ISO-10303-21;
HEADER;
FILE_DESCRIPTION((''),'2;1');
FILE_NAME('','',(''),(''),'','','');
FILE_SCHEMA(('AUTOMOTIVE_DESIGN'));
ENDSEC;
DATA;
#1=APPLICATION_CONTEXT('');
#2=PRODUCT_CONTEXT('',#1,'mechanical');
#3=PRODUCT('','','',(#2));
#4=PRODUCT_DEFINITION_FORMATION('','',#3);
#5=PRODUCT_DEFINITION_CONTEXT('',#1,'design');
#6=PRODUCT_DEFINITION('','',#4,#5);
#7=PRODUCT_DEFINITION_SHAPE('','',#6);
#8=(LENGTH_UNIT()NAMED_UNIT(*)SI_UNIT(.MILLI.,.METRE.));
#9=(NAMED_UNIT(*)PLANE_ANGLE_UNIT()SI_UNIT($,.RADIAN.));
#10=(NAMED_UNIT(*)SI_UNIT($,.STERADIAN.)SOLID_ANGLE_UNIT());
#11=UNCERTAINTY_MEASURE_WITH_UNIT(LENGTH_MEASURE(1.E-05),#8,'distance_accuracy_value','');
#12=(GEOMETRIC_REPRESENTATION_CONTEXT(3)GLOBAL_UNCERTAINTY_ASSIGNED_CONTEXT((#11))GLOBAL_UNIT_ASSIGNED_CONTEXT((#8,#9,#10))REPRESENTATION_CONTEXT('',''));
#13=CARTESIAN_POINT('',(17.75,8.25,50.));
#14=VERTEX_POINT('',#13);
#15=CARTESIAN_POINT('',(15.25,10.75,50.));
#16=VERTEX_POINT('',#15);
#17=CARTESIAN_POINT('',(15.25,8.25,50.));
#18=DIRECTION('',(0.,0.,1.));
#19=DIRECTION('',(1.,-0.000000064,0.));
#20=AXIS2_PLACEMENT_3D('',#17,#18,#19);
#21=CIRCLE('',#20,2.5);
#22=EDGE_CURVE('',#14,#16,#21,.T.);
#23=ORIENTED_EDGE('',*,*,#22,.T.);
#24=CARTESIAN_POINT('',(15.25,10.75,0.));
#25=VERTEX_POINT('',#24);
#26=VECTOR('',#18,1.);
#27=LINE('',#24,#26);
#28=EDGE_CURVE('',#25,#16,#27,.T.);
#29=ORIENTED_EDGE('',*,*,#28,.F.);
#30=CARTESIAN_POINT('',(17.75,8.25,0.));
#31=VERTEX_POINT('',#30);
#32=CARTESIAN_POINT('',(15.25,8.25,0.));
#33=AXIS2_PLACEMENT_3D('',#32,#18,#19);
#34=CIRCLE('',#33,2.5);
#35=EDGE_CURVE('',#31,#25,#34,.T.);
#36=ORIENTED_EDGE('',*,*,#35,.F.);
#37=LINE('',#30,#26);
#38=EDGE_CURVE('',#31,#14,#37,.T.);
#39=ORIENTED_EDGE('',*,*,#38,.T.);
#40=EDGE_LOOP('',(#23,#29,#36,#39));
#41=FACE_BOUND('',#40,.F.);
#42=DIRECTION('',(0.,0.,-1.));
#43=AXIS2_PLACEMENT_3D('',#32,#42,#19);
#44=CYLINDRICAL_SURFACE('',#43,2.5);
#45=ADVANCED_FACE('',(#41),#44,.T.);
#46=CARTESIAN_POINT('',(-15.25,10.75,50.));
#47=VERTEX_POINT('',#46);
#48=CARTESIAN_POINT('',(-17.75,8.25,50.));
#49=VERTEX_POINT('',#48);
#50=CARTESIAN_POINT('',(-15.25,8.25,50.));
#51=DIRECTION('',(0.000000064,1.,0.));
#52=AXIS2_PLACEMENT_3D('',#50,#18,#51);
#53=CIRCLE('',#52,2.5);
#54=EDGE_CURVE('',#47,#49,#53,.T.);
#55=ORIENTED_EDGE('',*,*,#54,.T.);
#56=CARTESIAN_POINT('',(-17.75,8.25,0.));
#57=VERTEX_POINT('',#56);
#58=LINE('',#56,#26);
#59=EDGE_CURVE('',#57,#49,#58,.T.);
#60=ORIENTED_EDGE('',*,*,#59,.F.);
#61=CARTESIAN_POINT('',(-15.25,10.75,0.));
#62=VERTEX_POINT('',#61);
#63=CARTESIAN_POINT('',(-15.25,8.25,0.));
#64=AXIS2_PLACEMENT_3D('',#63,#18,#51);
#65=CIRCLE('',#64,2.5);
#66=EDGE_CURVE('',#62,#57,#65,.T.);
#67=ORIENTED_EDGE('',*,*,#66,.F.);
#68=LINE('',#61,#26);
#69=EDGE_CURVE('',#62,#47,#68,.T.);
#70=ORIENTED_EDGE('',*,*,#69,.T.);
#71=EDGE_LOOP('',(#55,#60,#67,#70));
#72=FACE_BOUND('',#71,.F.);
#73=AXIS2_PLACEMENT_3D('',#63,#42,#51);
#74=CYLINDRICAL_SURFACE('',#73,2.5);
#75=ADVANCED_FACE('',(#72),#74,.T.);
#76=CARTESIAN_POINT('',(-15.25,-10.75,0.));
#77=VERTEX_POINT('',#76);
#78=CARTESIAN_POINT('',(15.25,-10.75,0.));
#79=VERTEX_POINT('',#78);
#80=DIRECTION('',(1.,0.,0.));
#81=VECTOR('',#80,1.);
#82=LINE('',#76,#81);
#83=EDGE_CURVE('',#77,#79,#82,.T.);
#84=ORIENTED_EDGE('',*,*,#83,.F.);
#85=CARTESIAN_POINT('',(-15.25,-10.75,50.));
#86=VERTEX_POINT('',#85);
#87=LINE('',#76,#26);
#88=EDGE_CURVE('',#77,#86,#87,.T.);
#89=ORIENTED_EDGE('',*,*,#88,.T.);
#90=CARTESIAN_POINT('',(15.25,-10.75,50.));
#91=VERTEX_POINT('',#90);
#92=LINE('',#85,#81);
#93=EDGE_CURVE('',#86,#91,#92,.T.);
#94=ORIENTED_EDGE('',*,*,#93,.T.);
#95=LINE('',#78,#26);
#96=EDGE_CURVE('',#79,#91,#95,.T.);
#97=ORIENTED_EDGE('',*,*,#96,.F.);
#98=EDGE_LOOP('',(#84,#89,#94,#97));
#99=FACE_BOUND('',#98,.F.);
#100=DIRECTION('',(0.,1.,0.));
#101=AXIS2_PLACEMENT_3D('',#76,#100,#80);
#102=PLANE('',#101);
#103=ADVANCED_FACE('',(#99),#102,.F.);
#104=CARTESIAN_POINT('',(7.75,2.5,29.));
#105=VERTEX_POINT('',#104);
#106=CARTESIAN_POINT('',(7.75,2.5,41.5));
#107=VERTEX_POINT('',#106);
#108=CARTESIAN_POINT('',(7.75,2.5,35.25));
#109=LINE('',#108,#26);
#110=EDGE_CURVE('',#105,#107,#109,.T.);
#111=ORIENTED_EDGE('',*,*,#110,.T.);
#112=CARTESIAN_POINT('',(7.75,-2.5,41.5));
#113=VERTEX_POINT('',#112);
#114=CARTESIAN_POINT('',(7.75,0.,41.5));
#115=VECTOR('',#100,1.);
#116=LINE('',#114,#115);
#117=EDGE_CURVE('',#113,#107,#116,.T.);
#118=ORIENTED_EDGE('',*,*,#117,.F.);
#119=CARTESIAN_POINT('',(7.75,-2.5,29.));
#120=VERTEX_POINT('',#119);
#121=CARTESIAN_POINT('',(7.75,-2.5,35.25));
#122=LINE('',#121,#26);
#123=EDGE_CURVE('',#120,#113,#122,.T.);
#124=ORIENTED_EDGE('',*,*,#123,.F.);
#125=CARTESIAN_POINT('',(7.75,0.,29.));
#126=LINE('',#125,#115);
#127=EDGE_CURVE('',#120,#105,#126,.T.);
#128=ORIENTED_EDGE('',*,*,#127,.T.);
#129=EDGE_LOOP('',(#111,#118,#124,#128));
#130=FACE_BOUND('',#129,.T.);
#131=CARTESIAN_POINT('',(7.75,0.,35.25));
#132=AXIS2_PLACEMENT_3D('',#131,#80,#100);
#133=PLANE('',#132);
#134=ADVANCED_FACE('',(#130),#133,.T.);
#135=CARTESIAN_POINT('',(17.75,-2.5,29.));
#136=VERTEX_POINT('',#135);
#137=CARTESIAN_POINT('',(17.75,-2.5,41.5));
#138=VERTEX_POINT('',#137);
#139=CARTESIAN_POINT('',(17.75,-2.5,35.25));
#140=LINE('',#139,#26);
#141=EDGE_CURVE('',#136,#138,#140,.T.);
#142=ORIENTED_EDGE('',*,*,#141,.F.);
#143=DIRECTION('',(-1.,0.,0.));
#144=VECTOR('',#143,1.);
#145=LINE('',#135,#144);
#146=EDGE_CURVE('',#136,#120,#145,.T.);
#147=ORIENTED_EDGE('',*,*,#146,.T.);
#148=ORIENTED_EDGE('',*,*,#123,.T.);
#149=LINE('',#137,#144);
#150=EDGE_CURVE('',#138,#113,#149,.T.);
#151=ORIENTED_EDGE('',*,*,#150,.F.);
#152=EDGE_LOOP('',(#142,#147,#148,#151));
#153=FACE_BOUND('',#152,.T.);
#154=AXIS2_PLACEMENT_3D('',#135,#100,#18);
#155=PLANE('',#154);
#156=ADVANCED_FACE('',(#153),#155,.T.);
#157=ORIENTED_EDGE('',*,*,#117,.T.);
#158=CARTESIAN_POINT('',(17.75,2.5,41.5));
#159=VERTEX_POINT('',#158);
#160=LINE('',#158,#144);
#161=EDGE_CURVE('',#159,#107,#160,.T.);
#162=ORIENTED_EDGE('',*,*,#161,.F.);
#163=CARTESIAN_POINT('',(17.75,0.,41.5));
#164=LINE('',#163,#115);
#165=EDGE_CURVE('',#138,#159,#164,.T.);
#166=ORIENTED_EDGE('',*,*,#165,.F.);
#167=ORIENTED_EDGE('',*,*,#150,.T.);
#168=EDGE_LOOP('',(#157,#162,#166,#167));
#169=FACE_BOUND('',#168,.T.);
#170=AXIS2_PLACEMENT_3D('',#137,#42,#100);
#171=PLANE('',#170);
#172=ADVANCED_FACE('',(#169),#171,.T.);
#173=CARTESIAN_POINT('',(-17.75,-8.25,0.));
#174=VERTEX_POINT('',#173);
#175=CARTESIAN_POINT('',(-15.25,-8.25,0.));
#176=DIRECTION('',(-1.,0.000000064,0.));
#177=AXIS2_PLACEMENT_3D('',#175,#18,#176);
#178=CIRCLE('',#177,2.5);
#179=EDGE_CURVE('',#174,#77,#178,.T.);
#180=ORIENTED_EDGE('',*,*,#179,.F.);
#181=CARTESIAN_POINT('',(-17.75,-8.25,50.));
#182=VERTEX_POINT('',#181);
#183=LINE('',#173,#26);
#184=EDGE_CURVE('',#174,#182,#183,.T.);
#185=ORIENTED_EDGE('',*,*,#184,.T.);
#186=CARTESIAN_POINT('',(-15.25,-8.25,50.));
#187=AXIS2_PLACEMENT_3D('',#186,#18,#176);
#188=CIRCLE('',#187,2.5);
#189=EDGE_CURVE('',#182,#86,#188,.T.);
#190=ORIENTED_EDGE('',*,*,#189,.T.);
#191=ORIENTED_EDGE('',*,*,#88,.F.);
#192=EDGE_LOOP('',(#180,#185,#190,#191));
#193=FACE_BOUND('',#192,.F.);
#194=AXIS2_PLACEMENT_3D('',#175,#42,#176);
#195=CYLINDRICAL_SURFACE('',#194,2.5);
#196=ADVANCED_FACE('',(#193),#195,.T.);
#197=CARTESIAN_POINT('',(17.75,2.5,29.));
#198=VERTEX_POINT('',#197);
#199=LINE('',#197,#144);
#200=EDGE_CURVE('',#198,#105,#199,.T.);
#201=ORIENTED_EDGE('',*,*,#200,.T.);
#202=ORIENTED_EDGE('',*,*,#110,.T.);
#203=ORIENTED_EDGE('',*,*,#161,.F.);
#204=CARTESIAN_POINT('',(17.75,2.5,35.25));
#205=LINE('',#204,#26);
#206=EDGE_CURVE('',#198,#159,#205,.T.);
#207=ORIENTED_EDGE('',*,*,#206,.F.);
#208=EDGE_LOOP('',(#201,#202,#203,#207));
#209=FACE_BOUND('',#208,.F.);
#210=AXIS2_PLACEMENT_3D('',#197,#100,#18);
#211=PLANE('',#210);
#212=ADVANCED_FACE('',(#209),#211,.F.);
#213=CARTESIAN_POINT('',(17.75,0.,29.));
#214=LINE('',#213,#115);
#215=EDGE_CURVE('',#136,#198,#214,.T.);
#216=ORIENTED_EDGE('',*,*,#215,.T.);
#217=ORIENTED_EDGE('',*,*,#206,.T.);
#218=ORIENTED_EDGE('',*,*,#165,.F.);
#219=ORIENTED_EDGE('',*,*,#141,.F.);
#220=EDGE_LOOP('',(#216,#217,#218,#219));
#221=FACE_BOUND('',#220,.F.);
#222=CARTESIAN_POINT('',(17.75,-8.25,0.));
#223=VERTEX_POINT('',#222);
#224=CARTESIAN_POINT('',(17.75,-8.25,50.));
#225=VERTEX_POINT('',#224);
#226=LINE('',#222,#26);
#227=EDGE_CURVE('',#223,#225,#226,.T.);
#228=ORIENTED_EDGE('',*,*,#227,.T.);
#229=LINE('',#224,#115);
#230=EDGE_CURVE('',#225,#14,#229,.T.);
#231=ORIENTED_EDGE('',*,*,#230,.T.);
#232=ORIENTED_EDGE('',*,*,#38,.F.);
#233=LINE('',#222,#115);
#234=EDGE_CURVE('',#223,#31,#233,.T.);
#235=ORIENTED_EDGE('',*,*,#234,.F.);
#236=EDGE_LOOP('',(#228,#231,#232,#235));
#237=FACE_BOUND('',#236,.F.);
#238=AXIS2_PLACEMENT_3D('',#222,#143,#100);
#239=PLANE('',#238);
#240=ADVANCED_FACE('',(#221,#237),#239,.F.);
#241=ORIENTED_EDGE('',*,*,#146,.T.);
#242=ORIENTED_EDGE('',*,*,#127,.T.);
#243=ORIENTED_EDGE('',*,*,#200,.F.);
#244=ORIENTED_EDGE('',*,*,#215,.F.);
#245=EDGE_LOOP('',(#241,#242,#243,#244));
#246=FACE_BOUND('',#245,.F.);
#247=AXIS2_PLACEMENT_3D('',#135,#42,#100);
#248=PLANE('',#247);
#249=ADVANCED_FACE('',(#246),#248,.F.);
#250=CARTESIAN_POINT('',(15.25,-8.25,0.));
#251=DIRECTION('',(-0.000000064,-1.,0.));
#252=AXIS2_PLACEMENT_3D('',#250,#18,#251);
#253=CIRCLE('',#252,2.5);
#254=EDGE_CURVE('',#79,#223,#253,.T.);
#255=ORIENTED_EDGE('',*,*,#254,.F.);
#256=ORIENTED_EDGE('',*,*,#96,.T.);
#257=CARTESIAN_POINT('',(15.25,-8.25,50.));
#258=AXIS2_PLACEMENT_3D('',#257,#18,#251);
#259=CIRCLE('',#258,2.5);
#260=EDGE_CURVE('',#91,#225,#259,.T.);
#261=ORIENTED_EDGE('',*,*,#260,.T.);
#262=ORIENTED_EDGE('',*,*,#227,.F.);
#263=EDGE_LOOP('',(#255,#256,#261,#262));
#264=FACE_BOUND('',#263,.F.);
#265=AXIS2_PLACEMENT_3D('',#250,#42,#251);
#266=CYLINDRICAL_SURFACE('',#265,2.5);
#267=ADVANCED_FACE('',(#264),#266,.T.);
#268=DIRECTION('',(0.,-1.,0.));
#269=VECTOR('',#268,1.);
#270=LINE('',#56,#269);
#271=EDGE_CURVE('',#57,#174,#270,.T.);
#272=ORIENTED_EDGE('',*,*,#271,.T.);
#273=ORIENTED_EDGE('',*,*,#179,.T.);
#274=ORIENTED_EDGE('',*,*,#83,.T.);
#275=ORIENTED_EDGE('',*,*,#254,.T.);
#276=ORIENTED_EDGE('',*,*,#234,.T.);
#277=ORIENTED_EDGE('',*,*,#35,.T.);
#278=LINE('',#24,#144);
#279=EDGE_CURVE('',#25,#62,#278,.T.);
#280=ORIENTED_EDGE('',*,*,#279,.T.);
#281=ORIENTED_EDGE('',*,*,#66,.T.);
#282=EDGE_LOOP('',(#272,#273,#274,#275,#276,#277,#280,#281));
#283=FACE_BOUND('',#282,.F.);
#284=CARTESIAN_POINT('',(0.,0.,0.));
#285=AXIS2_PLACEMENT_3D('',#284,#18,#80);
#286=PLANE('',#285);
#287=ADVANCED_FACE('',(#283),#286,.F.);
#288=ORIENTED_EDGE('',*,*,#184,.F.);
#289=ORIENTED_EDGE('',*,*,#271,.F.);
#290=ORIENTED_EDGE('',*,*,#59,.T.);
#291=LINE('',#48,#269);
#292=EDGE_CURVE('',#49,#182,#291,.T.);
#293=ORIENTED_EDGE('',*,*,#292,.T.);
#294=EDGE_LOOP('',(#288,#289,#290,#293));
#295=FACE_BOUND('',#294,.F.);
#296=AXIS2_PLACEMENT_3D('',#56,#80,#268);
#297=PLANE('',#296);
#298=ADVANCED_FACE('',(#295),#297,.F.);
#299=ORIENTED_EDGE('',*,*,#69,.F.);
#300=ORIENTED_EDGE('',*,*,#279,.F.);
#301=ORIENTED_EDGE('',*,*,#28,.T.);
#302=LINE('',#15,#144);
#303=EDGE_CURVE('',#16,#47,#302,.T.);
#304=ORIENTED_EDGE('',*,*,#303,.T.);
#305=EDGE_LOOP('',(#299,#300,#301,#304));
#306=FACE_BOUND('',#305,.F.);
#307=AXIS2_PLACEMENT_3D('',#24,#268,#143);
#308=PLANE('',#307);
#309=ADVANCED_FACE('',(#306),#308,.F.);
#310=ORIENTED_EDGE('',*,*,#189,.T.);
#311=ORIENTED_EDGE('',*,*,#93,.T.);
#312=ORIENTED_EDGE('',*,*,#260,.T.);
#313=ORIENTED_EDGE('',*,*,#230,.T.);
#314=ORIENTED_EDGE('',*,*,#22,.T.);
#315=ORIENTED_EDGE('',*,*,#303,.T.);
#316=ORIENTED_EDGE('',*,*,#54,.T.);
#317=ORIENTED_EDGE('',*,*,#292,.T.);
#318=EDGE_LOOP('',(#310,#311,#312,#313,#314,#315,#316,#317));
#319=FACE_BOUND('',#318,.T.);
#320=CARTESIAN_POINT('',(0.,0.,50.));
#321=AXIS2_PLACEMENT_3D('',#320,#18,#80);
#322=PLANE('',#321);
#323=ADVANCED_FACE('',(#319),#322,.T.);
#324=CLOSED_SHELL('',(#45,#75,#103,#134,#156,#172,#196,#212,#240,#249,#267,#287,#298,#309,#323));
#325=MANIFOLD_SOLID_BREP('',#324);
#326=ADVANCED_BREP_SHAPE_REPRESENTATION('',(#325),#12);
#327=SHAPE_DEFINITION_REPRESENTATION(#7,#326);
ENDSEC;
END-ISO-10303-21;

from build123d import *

# Parameters (mm, degrees)
F1_DEPTH = 50
F2_W     = 5
F2_H     = 12.5
F3_DEPTH = 10


with BuildPart() as f1:
    # F0 (on Top) → F1 (new body)
    with BuildSketch(Plane.XY):
        with BuildLine():
            Line((-15.25, -10.75), (15.25, -10.75))
            ThreePointArc((15.25, -10.75), (17.017767, -10.017767), (17.75, -8.25))
            Line((17.75, -8.25), (17.75, 8.25))
            ThreePointArc((17.75, 8.25), (17.017767, 10.017767), (15.25, 10.75))
            Line((15.25, 10.75), (-15.25, 10.75))
            ThreePointArc((-15.25, 10.75), (-17.017767, 10.017767), (-17.75, 8.25))
            Line((-17.75, 8.25), (-17.75, -8.25))
            ThreePointArc((-17.75, -8.25), (-17.017767, -10.017767), (-15.25, -10.75))
        make_face()
    extrude(amount=F1_DEPTH)

    # F2 (on face) → F3 (cut)
    with BuildSketch(Plane.YZ.offset(17.75)):
        with Locations((0, 35.25)):
            Rectangle(F2_W, F2_H)
    extrude(amount=-F3_DEPTH, mode=Mode.SUBTRACT)


solid = f1.part
